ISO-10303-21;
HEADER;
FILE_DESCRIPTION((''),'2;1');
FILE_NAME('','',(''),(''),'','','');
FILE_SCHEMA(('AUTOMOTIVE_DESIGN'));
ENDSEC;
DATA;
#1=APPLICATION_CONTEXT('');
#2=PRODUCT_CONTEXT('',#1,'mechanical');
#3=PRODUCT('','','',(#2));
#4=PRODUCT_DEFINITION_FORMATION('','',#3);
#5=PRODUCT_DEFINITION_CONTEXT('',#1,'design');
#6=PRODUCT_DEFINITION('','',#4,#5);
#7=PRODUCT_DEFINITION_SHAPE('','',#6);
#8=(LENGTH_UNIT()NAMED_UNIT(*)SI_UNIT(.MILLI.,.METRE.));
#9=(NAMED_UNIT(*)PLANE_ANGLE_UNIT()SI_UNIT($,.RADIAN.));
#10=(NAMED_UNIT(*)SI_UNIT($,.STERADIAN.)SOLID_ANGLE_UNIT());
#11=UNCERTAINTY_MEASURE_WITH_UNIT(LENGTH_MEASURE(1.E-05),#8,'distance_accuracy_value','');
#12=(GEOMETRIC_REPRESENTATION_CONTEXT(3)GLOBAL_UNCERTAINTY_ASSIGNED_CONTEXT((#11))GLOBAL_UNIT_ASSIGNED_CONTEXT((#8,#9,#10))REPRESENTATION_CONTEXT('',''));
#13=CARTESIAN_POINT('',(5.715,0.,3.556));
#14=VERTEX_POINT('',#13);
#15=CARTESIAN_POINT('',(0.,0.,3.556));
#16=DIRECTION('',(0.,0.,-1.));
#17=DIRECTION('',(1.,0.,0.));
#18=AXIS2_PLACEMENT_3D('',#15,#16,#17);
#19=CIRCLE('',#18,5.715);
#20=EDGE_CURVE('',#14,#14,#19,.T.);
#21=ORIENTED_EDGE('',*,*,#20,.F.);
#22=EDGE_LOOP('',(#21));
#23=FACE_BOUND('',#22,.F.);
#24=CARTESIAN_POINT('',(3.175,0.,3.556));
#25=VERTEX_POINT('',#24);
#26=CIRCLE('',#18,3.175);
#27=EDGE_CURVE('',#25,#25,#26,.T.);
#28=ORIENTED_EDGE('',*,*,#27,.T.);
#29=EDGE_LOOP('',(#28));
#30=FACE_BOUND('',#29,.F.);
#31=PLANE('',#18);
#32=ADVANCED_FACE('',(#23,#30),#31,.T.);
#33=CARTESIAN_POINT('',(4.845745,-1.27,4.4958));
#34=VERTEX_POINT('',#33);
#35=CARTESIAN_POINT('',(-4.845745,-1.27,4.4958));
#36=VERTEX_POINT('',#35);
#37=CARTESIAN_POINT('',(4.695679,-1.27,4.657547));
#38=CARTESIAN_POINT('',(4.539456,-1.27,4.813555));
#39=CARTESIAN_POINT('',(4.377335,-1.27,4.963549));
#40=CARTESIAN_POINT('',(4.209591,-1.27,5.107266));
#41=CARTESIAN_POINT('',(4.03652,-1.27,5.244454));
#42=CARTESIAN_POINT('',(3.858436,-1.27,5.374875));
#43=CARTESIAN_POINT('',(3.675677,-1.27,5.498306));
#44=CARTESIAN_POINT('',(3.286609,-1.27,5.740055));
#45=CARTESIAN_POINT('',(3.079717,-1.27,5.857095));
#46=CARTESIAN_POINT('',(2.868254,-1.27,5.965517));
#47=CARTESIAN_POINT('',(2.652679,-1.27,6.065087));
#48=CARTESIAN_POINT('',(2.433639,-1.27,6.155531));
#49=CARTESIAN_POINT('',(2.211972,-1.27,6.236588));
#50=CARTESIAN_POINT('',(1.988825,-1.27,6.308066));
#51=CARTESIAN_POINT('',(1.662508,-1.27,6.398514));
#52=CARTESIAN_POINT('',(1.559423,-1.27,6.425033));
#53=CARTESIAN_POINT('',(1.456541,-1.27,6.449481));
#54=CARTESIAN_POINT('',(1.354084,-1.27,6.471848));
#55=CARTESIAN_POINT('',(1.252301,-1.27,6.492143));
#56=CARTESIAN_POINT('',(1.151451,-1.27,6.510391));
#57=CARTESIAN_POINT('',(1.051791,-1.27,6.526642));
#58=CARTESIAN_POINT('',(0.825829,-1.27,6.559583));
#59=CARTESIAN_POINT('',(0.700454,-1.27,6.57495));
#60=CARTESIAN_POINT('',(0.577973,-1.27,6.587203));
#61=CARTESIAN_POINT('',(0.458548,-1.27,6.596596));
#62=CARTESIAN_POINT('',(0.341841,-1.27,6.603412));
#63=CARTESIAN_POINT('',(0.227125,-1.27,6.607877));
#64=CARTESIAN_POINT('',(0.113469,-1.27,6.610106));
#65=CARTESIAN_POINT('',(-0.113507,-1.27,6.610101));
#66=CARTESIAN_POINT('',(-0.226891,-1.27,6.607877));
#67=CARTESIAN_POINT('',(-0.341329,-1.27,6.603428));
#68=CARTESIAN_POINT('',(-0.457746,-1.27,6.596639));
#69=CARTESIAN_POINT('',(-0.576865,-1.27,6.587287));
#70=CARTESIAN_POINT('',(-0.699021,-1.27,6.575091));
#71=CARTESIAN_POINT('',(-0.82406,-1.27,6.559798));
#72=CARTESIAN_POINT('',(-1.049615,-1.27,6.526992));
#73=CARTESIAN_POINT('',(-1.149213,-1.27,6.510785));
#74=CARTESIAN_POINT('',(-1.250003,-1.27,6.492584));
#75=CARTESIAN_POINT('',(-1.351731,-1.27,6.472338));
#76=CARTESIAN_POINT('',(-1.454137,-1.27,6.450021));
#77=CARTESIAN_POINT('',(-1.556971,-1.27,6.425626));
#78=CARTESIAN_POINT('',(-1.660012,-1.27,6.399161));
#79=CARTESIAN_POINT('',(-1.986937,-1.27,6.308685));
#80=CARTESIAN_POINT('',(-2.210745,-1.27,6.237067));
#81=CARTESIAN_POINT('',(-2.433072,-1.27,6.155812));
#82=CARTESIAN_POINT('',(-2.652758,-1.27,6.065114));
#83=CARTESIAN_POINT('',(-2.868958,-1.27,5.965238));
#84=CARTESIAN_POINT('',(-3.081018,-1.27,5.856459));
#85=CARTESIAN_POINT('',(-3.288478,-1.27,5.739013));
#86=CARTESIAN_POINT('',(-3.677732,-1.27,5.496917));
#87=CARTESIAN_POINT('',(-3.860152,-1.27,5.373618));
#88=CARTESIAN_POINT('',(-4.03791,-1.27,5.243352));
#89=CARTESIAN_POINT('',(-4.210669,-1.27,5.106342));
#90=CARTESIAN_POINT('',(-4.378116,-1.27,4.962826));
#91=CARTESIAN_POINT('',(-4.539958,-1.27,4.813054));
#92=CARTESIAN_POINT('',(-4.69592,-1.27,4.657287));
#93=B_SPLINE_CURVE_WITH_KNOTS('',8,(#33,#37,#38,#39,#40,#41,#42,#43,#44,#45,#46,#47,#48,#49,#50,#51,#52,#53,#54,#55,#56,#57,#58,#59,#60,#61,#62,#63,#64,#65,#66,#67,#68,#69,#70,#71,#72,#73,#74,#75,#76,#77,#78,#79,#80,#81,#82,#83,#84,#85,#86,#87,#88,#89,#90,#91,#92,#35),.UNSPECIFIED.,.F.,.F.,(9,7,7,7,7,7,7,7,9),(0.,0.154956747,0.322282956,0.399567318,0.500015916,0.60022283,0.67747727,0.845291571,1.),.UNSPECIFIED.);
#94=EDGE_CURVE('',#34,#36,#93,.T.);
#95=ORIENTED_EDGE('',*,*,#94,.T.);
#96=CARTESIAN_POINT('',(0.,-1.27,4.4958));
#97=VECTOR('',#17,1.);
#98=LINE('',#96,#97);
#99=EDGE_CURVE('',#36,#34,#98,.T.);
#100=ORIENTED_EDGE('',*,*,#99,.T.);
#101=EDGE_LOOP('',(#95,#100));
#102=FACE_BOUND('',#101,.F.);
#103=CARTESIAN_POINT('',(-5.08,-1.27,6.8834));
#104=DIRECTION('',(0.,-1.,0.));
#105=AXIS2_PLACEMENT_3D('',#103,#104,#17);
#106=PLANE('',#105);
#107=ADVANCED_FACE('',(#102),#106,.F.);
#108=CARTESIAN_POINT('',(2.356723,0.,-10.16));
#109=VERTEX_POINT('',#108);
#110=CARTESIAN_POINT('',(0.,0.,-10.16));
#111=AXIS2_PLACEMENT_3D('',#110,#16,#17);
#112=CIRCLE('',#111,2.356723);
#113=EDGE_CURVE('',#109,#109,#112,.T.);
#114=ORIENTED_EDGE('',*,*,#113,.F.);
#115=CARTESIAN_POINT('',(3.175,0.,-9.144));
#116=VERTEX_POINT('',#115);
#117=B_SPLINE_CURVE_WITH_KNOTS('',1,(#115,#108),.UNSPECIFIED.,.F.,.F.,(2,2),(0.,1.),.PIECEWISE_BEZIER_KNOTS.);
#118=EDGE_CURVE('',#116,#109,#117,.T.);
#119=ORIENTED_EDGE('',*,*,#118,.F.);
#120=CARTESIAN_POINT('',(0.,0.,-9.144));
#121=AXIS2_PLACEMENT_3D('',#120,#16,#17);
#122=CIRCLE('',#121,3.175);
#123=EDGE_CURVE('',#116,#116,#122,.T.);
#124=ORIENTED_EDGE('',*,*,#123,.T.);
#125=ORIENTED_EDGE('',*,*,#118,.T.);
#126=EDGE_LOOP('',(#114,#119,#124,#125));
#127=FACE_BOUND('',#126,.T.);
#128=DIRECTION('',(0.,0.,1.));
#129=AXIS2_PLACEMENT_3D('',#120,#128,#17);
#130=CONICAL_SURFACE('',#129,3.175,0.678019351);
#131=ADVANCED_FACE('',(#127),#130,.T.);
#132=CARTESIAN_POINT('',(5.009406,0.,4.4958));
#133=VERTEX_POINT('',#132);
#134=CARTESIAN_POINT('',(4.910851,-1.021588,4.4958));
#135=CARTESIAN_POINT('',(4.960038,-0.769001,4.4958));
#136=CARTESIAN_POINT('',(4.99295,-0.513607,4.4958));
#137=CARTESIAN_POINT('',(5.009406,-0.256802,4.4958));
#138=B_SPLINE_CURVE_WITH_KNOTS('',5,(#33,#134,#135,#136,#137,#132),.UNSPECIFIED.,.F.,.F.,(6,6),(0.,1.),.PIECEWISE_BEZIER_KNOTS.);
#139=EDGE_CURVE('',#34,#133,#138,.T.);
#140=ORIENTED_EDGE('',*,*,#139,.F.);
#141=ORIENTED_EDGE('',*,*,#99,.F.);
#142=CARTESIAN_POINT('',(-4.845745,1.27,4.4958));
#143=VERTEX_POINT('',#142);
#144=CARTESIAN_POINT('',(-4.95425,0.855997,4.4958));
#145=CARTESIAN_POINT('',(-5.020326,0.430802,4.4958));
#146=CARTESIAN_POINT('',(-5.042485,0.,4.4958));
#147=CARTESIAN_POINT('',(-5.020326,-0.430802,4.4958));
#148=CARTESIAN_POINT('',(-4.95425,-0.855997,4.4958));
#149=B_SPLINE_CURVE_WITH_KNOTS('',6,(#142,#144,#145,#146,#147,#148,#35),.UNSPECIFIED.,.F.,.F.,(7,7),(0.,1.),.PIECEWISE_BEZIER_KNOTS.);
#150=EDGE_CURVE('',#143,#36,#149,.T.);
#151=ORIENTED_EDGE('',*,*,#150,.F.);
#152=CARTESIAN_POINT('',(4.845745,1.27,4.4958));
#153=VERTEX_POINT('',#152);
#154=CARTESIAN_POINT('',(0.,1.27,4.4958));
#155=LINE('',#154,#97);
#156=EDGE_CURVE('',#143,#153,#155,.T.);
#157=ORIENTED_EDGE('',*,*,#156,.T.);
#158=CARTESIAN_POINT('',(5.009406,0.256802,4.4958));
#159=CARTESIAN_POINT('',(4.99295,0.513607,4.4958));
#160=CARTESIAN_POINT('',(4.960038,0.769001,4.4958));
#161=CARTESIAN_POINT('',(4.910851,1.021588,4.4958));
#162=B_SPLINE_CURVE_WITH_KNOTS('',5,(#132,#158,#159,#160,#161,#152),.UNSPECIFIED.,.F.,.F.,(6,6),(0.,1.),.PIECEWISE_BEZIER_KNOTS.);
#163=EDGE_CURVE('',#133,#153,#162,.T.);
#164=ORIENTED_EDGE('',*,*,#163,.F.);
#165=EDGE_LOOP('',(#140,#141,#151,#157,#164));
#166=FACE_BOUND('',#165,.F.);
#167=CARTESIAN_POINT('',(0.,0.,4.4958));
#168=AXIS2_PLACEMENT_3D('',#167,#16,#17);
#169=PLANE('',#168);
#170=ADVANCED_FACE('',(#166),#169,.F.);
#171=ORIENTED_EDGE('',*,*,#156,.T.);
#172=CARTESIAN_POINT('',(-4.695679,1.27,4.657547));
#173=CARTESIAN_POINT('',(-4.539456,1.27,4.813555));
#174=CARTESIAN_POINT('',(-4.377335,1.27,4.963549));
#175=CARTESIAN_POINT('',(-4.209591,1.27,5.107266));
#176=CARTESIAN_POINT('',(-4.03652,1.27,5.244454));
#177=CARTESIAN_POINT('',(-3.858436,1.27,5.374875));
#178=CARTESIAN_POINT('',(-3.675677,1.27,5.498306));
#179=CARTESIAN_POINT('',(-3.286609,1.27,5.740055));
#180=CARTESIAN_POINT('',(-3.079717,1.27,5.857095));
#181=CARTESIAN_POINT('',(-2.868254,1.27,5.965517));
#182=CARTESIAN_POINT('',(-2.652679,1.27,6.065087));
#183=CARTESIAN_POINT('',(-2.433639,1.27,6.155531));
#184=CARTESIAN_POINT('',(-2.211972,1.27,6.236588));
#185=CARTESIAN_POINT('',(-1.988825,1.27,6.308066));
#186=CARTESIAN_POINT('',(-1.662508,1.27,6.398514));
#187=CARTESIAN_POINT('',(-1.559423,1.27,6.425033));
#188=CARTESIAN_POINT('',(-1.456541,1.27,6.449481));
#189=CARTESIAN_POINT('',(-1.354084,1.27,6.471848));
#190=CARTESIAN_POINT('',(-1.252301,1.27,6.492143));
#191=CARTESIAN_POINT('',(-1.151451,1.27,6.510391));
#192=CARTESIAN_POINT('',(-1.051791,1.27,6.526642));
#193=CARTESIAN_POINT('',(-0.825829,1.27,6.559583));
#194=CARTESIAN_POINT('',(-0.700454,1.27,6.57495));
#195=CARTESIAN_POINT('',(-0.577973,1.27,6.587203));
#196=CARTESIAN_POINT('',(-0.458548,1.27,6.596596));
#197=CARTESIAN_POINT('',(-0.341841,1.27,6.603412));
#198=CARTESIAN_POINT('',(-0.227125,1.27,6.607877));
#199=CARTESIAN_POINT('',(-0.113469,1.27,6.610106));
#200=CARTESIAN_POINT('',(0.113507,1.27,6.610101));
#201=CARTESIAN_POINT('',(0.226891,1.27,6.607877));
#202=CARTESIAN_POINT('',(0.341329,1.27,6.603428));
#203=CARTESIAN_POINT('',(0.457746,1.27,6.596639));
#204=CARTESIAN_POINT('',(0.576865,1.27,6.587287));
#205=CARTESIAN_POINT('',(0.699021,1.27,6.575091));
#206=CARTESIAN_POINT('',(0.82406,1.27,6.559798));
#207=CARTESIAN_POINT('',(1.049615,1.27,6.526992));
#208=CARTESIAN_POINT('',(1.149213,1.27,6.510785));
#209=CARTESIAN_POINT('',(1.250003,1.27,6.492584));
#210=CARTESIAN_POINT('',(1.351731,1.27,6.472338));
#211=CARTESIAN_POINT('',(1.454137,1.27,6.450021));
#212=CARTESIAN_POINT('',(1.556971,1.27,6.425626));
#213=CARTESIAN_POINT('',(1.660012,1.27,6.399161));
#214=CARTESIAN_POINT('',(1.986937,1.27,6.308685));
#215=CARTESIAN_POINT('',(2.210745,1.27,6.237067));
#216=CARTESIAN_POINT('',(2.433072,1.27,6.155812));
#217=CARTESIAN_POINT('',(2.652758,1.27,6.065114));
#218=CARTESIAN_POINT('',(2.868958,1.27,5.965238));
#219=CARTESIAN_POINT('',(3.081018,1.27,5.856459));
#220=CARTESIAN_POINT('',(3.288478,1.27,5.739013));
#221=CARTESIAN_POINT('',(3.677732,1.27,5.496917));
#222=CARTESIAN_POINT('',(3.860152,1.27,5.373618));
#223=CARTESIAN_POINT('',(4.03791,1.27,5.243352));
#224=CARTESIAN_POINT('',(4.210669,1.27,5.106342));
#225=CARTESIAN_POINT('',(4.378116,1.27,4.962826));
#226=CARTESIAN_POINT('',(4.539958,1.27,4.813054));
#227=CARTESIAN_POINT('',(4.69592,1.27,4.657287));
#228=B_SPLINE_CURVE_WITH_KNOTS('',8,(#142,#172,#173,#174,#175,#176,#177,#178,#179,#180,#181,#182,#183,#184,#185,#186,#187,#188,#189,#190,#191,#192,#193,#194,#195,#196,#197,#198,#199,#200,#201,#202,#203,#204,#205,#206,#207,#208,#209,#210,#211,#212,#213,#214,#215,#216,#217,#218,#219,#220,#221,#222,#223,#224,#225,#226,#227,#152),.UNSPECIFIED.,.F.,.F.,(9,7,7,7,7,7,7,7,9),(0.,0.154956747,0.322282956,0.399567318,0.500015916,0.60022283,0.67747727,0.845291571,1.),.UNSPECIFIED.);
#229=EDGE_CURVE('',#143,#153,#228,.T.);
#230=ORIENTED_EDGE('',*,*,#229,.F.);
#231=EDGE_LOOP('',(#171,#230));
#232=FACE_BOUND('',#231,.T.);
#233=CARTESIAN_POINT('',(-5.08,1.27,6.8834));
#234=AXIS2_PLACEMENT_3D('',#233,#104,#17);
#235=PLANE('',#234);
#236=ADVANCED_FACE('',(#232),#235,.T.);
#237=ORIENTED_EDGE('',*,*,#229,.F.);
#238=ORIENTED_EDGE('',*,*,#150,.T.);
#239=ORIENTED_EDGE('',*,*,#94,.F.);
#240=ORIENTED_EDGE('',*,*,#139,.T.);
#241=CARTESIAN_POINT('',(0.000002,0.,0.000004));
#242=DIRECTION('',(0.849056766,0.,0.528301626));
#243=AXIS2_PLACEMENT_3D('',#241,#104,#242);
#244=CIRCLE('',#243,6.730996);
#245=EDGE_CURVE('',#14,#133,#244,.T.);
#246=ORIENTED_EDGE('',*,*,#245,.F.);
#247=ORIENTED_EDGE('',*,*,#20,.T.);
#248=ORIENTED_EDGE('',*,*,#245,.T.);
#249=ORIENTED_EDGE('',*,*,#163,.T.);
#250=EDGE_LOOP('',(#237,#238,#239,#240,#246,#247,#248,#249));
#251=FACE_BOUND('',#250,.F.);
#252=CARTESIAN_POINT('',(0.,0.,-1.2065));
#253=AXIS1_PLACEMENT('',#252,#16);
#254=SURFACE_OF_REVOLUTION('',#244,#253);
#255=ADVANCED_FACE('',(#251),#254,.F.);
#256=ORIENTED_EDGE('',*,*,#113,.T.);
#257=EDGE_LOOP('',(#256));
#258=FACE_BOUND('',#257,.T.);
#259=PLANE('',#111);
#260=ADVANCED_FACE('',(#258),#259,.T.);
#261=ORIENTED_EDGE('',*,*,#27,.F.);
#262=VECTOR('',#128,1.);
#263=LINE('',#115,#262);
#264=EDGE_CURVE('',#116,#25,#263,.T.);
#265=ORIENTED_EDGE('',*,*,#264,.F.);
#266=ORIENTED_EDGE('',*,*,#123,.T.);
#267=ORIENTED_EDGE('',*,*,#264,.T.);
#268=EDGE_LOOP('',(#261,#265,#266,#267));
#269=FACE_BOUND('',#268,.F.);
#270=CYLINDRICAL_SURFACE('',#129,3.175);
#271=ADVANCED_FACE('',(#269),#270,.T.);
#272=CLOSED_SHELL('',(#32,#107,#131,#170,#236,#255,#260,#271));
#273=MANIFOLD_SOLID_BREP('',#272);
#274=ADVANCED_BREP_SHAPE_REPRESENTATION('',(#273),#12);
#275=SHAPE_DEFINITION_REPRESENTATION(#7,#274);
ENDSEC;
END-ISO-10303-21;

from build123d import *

# Parameters (mm, degrees)
F1_FACE_R = 3.175
F3_R      = 2.356723
F6_W      = 10.16
F6_H      = 2.54
F7_DEPTH  = 2.3876


with BuildPart() as f1:
    # F0 (on Front) → F1 (revolve)
    with BuildSketch(Plane.XZ):
        with BuildLine():
            ThreePointArc((5.715, 3.556), (3.268863, 5.883953), (0, 6.731))
            Line((0, 6.731), (0, -9.144))
            Line((0, -9.144), (3.175, -9.144))
            Line((3.175, -9.144), (3.175, 3.556))
            Line((3.175, 3.556), (5.715, 3.556))
        make_face()
    revolve(axis=Axis((0, 0, -1.2065), (0, 0, -1)))

    # F1_face (on face) → F4 section 0
    with BuildSketch(Plane(origin=(0, 0, -9.144), x_dir=(1, 0, 0), z_dir=(0, 0, -1))):
        Circle(F1_FACE_R)
    # F3 (on offset) → F4 section 1
    with BuildSketch(Plane(origin=(0, 0, -10.16), x_dir=(1, 0, 0), z_dir=(0, 0, -1))):
        Circle(F3_R)
    loft()

    # F6 (on offset) → F7 (cut)
    with BuildSketch(Plane(origin=(0, 0, 6.8834), x_dir=(1, 0, 0), z_dir=(0, 0, -1))):
        Rectangle(F6_W, F6_H)
    extrude(amount=F7_DEPTH, mode=Mode.SUBTRACT)


solid = f1.part
